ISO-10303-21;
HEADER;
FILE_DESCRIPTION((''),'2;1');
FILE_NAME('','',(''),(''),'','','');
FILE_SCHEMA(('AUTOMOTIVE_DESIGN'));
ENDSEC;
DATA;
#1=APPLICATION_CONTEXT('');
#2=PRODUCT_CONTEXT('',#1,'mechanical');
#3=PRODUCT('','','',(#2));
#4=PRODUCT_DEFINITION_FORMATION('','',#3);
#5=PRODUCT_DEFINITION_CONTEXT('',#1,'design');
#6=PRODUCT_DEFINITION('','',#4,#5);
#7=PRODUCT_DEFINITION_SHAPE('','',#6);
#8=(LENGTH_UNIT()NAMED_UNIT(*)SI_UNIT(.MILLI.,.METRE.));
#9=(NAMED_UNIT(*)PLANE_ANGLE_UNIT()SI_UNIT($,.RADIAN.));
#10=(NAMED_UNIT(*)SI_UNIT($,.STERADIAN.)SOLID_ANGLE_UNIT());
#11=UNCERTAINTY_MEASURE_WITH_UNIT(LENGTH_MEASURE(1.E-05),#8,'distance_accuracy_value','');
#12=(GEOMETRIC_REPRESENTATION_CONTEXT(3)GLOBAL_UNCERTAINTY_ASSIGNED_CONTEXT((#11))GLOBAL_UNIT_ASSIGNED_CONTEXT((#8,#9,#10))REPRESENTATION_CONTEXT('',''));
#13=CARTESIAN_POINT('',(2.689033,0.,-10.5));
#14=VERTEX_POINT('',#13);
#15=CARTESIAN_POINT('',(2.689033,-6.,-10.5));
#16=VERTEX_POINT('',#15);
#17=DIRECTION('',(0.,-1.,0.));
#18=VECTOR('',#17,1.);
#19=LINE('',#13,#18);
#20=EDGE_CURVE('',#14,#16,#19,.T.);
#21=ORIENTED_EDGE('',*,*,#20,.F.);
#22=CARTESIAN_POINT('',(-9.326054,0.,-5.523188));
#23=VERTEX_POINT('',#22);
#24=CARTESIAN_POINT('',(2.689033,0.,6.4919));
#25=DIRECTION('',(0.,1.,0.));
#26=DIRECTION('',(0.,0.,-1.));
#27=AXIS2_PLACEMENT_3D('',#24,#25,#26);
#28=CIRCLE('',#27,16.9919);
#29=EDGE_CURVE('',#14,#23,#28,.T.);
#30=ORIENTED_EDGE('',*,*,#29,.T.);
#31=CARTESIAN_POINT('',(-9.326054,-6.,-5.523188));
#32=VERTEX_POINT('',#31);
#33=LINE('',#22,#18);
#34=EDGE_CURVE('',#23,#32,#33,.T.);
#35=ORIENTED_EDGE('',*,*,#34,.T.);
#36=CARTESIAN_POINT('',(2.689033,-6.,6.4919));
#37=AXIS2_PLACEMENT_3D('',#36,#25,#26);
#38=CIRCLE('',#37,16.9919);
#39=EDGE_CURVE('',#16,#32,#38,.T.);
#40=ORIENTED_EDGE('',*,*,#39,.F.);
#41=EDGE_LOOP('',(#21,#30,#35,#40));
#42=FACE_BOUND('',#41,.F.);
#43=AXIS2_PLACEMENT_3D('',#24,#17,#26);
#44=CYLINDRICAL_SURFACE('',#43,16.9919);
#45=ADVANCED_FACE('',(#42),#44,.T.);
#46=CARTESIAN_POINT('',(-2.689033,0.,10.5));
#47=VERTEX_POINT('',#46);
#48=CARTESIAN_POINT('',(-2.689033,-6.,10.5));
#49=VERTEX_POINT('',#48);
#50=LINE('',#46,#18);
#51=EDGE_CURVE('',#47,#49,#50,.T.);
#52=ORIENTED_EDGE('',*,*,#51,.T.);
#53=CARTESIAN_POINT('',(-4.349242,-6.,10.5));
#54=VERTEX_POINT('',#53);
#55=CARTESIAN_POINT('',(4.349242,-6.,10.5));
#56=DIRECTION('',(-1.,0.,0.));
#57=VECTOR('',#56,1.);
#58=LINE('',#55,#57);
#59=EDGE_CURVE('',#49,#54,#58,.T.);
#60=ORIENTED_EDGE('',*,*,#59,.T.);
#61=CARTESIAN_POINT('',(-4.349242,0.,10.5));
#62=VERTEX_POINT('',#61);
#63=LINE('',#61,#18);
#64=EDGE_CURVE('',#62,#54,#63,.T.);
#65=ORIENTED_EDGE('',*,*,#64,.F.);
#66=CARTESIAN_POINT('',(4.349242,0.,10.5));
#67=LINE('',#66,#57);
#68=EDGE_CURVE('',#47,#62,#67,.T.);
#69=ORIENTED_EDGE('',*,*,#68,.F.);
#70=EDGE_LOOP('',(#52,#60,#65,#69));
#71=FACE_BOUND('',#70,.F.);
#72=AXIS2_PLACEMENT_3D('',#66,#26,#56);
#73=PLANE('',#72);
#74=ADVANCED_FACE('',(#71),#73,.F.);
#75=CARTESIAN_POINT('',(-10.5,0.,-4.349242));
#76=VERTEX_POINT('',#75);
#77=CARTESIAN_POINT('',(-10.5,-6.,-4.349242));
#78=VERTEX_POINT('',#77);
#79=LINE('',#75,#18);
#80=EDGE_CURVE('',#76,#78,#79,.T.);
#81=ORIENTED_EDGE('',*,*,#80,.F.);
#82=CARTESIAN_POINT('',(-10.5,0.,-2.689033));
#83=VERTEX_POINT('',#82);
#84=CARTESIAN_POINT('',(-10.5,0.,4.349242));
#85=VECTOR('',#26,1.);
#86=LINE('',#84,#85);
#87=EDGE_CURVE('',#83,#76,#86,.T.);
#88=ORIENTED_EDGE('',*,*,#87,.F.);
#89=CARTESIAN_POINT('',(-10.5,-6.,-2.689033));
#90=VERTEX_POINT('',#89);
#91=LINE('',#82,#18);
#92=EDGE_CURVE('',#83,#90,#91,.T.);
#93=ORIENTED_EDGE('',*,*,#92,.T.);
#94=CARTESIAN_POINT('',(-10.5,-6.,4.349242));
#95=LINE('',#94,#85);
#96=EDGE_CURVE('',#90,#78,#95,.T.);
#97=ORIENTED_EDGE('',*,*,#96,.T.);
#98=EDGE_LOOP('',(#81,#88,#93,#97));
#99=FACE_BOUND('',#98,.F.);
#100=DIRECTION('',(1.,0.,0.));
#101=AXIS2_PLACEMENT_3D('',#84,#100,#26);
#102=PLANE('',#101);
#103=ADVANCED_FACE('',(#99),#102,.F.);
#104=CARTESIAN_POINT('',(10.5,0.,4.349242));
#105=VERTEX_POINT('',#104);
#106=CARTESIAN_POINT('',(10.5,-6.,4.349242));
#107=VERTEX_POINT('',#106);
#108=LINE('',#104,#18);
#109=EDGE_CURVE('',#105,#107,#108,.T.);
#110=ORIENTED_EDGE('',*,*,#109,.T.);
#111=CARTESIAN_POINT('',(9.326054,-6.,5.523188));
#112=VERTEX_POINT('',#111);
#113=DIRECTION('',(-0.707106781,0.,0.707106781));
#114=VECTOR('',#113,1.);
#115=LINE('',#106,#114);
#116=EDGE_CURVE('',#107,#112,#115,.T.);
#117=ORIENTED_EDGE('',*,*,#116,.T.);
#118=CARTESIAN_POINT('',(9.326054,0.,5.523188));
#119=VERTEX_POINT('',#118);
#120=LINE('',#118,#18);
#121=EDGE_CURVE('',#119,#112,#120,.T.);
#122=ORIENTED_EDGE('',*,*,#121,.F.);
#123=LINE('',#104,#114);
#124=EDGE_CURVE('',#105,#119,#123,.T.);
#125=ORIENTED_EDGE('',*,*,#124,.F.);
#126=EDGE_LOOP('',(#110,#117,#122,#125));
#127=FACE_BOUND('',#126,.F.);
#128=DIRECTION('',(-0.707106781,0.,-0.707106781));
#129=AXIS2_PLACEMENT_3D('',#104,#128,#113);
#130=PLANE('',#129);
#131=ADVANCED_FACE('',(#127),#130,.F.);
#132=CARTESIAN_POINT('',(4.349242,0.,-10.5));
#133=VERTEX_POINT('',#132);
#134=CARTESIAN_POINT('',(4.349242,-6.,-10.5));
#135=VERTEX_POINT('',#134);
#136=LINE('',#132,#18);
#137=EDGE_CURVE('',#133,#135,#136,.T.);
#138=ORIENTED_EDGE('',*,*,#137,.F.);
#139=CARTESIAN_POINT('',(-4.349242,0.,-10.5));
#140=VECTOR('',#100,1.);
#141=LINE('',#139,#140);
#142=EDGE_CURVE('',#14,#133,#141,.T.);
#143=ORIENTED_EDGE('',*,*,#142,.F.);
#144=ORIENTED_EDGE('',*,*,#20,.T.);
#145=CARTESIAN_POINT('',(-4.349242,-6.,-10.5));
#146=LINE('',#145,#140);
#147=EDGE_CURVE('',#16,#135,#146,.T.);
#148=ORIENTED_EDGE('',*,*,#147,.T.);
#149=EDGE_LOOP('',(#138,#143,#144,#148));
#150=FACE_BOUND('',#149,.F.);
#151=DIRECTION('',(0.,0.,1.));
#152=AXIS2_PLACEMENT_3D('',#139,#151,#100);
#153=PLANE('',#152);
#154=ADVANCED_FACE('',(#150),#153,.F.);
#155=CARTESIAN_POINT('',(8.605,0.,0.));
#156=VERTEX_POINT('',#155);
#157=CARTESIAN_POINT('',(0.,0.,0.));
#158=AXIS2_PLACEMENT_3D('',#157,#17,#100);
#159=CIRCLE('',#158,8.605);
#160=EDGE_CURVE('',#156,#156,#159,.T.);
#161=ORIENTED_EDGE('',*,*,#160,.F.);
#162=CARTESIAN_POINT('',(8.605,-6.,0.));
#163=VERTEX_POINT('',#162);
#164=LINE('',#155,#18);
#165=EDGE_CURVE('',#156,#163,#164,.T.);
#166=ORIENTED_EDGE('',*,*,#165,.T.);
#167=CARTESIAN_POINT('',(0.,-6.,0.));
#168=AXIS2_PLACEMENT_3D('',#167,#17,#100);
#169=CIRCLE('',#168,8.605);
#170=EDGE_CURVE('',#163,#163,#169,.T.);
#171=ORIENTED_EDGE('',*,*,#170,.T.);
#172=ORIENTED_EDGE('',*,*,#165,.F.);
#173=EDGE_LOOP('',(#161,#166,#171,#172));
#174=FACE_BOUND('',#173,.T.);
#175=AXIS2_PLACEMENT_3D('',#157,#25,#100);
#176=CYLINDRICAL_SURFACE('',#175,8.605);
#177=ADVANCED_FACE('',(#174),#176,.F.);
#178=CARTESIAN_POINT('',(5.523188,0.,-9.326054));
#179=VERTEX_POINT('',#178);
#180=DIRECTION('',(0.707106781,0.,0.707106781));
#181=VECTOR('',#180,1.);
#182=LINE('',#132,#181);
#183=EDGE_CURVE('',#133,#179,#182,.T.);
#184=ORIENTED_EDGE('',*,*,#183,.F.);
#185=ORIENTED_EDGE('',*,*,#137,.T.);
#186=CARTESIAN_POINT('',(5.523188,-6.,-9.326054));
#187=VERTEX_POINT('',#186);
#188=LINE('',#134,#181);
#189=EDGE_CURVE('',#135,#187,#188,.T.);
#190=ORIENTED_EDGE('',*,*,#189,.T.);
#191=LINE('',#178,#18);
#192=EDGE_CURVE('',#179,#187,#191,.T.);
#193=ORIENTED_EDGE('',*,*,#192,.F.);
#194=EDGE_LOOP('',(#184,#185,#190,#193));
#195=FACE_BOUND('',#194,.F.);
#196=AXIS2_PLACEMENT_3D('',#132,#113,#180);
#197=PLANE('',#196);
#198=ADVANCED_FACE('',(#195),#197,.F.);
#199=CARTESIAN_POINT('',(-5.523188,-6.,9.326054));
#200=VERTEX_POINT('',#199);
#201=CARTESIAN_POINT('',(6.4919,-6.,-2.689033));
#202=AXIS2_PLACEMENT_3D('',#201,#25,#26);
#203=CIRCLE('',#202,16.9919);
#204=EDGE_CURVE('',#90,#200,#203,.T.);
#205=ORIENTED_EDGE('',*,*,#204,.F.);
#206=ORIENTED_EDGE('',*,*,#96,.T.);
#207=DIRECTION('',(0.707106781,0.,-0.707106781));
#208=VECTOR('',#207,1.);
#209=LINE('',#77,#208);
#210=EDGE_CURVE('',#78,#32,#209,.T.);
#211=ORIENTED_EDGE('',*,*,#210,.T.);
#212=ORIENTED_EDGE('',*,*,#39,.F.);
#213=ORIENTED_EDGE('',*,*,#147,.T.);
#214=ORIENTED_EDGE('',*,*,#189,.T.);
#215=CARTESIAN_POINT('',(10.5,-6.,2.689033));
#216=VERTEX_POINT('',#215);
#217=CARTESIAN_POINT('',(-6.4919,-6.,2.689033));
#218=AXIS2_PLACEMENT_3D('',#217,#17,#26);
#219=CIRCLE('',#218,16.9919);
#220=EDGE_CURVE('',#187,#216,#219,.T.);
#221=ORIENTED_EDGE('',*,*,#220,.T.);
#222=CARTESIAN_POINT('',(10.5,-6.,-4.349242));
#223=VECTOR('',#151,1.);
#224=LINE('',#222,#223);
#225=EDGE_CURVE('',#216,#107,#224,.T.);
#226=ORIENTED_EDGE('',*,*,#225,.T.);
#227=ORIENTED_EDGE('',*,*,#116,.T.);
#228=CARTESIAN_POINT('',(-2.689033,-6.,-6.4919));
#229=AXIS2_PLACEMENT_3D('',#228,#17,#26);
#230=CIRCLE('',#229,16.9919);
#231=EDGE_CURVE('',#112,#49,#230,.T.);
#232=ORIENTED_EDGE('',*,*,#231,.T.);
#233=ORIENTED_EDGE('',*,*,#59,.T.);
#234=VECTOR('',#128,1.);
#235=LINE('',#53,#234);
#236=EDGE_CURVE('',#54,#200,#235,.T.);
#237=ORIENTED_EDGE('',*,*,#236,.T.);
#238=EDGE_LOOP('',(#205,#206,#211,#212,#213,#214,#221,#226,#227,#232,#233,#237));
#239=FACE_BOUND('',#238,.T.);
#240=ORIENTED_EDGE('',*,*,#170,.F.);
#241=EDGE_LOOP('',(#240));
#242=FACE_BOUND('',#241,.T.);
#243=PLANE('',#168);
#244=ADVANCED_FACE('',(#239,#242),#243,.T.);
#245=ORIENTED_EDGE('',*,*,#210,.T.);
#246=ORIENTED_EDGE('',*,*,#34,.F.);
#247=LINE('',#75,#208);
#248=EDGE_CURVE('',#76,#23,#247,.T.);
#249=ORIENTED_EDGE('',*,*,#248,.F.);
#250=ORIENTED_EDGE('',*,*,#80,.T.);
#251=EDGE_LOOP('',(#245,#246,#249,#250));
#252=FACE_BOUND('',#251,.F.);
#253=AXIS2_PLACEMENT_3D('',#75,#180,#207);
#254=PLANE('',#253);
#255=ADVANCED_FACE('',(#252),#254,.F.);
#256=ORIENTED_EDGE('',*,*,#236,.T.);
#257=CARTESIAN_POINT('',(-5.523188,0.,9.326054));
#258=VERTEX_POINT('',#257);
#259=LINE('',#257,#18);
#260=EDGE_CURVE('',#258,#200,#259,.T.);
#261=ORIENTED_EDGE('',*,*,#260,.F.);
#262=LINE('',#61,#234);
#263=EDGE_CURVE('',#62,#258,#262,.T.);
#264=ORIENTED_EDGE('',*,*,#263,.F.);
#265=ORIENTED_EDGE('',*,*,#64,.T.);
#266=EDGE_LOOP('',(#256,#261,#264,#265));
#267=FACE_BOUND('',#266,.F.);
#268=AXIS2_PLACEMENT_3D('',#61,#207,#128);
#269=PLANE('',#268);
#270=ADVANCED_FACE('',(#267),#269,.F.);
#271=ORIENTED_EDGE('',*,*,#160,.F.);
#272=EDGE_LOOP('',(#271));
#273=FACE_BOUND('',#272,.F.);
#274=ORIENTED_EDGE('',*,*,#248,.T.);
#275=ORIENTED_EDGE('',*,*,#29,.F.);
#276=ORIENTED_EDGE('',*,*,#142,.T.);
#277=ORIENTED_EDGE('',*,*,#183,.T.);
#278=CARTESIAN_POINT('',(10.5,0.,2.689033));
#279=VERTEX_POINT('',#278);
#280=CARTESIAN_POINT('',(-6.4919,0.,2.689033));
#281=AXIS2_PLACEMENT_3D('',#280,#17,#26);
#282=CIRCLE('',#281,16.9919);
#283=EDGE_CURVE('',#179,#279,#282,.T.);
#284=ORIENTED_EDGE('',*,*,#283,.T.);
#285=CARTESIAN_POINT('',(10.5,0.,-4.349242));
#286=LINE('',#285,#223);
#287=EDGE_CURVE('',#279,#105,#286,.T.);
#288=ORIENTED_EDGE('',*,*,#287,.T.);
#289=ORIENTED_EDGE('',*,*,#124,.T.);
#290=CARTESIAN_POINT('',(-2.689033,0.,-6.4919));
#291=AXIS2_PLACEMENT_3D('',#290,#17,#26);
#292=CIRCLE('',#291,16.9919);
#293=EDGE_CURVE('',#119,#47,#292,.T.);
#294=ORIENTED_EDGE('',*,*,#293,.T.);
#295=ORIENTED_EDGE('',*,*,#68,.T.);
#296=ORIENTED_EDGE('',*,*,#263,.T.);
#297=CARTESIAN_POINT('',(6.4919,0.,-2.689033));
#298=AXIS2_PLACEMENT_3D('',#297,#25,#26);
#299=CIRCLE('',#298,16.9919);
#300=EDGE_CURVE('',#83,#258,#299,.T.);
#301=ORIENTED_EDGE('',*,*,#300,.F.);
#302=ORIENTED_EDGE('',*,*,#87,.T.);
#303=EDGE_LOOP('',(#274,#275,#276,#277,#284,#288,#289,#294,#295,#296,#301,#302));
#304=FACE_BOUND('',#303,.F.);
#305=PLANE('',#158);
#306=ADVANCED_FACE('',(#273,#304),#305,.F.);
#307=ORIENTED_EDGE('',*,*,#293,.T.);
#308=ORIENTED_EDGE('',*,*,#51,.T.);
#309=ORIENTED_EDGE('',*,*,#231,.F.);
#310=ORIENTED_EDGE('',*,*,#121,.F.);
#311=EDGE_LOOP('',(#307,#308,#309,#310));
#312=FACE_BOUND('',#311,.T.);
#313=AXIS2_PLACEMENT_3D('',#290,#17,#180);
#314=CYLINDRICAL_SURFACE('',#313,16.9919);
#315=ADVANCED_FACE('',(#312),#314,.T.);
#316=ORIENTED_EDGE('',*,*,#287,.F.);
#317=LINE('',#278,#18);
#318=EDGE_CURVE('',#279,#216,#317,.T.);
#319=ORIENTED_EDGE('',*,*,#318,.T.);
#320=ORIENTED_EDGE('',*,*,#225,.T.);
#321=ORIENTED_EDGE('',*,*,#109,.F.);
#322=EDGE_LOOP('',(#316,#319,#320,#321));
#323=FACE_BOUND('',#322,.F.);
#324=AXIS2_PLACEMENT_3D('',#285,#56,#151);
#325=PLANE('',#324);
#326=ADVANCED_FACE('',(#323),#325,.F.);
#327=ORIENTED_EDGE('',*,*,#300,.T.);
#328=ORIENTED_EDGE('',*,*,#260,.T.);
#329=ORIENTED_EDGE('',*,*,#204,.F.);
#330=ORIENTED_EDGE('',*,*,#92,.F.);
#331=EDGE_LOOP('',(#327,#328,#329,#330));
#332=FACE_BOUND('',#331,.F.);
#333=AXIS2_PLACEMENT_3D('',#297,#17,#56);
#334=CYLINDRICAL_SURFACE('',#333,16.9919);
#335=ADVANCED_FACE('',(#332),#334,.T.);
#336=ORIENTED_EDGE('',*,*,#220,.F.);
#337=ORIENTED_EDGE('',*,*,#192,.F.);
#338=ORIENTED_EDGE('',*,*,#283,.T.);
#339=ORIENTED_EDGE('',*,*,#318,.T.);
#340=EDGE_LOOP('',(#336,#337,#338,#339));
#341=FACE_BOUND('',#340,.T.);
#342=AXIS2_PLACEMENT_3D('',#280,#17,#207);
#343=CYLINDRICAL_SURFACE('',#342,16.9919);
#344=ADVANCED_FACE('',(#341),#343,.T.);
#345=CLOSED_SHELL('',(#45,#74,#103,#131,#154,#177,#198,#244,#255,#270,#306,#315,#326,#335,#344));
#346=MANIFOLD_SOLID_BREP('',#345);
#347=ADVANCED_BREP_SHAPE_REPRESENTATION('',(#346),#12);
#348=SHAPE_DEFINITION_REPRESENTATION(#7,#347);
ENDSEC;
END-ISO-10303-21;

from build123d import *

# Parameters (mm, degrees)
F0_R     = 8.605
F1_DEPTH = 6
F2_R     = 16.9919


with BuildPart() as f1:
    # F0 (on Front) → F1 (new body)
    with BuildSketch(Plane.XZ):
        Polygon((-4.349242, -10.5), (4.349242, -10.5), (10.5, -4.349242), (10.5, 4.349242), (4.349242, 10.5), (-4.349242, 10.5), (-10.5, 4.349242), (-10.5, -4.349242), align=None)
        Circle(F0_R, mode=Mode.SUBTRACT)
    extrude(amount=F1_DEPTH)

    # F2
    f2_edges = [f1.edges().sort_by_distance(p)[0] for p in [
        (-10.5, -3, 4.349242),
        (4.349242, -3, 10.5),
        (10.5, -3, -4.349242),
        (-4.349242, -3, -10.5),
    ]]
    fillet(f2_edges, radius=F2_R)


solid = f1.part
